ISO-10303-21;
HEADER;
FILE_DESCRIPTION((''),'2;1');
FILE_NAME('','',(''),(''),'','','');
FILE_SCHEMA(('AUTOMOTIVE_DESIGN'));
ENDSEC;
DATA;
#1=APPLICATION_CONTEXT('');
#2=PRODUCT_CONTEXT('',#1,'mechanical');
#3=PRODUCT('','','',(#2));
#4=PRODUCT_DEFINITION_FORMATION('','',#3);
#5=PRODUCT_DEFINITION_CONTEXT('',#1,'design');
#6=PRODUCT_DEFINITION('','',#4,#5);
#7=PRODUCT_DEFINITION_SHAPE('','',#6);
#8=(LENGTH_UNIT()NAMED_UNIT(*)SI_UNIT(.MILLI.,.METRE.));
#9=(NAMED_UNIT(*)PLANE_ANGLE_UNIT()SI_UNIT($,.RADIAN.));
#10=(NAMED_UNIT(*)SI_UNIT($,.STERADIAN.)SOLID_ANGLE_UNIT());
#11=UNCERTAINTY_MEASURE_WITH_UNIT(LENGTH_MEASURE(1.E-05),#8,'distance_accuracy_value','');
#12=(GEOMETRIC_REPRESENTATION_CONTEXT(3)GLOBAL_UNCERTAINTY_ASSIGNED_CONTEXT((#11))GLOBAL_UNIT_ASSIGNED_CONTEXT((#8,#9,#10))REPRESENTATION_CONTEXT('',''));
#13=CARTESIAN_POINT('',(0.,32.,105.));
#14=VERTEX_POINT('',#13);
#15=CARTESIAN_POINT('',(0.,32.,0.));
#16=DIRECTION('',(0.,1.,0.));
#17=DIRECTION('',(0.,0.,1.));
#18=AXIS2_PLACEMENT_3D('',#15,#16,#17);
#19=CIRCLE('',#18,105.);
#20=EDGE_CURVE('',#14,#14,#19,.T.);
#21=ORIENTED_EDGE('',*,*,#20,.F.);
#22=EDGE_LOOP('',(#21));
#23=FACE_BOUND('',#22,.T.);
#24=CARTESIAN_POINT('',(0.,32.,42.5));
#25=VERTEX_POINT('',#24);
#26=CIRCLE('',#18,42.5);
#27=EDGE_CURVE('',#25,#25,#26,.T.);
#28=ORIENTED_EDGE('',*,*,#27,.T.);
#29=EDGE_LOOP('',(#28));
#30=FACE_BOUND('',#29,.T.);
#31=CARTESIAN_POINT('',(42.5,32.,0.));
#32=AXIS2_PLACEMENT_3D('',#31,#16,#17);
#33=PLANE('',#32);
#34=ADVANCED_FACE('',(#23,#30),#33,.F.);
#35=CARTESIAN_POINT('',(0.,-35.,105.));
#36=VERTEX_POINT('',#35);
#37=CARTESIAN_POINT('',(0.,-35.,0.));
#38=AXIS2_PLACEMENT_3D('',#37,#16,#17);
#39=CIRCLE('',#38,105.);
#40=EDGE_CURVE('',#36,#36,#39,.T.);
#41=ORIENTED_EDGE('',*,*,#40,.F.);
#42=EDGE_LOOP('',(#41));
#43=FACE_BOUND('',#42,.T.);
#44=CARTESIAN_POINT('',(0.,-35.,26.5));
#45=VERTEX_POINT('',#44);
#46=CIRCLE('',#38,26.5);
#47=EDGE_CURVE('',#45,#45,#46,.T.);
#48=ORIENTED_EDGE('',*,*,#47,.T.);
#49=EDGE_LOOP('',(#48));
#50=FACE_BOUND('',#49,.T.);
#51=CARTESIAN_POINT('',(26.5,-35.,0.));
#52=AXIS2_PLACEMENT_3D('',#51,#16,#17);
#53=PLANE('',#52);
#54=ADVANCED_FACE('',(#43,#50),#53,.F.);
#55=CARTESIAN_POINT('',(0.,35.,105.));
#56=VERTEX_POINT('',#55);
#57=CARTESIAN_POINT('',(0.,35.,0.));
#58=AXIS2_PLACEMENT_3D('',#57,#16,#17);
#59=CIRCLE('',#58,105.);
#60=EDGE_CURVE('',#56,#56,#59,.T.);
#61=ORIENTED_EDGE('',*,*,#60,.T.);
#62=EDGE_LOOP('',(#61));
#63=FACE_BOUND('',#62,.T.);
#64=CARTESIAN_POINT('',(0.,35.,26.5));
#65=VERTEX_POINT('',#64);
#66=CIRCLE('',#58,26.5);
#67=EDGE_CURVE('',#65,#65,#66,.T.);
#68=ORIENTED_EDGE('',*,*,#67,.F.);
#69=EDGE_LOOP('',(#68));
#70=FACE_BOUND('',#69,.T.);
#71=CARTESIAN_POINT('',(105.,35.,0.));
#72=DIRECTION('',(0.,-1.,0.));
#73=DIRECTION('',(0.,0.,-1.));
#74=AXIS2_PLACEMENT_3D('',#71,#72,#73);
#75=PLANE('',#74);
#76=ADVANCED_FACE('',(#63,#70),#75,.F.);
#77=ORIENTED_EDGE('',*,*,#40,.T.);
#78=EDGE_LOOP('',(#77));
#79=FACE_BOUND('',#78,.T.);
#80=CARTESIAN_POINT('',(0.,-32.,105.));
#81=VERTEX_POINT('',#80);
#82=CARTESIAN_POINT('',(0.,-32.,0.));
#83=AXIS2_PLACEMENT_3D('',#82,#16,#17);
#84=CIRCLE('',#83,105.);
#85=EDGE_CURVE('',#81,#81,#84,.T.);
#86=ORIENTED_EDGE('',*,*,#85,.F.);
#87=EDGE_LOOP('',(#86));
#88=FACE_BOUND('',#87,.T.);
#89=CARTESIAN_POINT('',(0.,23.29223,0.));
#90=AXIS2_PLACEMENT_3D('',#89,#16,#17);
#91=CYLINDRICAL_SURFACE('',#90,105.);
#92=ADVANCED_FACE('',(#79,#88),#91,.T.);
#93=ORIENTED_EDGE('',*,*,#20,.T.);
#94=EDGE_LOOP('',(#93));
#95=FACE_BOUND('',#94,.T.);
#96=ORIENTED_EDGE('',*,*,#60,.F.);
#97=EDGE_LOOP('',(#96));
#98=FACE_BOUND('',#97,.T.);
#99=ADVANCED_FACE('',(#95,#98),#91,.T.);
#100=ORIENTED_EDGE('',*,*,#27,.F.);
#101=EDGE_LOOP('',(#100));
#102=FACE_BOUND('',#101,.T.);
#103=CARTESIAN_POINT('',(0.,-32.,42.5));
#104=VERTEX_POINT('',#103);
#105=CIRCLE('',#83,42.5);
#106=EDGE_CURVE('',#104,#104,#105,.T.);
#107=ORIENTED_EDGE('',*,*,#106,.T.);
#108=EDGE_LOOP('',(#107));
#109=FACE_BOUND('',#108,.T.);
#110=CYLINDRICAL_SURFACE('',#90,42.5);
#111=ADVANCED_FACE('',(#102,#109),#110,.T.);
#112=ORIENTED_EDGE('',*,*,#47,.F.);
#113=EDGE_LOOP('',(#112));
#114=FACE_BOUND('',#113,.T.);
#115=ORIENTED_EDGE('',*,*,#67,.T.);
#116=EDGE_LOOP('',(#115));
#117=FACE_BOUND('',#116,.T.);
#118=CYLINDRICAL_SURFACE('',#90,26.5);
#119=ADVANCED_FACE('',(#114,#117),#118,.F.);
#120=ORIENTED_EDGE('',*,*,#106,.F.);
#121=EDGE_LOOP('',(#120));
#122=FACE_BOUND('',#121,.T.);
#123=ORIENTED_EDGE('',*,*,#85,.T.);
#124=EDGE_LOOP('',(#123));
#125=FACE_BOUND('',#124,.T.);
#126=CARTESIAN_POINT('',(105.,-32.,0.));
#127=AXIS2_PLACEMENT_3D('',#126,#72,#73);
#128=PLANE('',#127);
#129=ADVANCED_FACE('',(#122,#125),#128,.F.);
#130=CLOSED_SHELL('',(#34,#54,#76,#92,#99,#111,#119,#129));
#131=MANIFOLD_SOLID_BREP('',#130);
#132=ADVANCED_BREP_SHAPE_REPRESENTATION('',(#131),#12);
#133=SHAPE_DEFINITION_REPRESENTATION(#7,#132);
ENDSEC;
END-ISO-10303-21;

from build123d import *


with BuildPart() as part:
    # Esboço1 → Revolução1 (revolve)
    with BuildSketch(Plane.XY):
        Polygon((26.5, 35), (26.5, -35), (105, -35), (105, -32), (42.5, -32), (42.5, 32), (105, 32), (105, 35), align=None)
    revolve(axis=Axis((0, 23.292230205, 0), (0, -1, 0)))


solid = part.part
